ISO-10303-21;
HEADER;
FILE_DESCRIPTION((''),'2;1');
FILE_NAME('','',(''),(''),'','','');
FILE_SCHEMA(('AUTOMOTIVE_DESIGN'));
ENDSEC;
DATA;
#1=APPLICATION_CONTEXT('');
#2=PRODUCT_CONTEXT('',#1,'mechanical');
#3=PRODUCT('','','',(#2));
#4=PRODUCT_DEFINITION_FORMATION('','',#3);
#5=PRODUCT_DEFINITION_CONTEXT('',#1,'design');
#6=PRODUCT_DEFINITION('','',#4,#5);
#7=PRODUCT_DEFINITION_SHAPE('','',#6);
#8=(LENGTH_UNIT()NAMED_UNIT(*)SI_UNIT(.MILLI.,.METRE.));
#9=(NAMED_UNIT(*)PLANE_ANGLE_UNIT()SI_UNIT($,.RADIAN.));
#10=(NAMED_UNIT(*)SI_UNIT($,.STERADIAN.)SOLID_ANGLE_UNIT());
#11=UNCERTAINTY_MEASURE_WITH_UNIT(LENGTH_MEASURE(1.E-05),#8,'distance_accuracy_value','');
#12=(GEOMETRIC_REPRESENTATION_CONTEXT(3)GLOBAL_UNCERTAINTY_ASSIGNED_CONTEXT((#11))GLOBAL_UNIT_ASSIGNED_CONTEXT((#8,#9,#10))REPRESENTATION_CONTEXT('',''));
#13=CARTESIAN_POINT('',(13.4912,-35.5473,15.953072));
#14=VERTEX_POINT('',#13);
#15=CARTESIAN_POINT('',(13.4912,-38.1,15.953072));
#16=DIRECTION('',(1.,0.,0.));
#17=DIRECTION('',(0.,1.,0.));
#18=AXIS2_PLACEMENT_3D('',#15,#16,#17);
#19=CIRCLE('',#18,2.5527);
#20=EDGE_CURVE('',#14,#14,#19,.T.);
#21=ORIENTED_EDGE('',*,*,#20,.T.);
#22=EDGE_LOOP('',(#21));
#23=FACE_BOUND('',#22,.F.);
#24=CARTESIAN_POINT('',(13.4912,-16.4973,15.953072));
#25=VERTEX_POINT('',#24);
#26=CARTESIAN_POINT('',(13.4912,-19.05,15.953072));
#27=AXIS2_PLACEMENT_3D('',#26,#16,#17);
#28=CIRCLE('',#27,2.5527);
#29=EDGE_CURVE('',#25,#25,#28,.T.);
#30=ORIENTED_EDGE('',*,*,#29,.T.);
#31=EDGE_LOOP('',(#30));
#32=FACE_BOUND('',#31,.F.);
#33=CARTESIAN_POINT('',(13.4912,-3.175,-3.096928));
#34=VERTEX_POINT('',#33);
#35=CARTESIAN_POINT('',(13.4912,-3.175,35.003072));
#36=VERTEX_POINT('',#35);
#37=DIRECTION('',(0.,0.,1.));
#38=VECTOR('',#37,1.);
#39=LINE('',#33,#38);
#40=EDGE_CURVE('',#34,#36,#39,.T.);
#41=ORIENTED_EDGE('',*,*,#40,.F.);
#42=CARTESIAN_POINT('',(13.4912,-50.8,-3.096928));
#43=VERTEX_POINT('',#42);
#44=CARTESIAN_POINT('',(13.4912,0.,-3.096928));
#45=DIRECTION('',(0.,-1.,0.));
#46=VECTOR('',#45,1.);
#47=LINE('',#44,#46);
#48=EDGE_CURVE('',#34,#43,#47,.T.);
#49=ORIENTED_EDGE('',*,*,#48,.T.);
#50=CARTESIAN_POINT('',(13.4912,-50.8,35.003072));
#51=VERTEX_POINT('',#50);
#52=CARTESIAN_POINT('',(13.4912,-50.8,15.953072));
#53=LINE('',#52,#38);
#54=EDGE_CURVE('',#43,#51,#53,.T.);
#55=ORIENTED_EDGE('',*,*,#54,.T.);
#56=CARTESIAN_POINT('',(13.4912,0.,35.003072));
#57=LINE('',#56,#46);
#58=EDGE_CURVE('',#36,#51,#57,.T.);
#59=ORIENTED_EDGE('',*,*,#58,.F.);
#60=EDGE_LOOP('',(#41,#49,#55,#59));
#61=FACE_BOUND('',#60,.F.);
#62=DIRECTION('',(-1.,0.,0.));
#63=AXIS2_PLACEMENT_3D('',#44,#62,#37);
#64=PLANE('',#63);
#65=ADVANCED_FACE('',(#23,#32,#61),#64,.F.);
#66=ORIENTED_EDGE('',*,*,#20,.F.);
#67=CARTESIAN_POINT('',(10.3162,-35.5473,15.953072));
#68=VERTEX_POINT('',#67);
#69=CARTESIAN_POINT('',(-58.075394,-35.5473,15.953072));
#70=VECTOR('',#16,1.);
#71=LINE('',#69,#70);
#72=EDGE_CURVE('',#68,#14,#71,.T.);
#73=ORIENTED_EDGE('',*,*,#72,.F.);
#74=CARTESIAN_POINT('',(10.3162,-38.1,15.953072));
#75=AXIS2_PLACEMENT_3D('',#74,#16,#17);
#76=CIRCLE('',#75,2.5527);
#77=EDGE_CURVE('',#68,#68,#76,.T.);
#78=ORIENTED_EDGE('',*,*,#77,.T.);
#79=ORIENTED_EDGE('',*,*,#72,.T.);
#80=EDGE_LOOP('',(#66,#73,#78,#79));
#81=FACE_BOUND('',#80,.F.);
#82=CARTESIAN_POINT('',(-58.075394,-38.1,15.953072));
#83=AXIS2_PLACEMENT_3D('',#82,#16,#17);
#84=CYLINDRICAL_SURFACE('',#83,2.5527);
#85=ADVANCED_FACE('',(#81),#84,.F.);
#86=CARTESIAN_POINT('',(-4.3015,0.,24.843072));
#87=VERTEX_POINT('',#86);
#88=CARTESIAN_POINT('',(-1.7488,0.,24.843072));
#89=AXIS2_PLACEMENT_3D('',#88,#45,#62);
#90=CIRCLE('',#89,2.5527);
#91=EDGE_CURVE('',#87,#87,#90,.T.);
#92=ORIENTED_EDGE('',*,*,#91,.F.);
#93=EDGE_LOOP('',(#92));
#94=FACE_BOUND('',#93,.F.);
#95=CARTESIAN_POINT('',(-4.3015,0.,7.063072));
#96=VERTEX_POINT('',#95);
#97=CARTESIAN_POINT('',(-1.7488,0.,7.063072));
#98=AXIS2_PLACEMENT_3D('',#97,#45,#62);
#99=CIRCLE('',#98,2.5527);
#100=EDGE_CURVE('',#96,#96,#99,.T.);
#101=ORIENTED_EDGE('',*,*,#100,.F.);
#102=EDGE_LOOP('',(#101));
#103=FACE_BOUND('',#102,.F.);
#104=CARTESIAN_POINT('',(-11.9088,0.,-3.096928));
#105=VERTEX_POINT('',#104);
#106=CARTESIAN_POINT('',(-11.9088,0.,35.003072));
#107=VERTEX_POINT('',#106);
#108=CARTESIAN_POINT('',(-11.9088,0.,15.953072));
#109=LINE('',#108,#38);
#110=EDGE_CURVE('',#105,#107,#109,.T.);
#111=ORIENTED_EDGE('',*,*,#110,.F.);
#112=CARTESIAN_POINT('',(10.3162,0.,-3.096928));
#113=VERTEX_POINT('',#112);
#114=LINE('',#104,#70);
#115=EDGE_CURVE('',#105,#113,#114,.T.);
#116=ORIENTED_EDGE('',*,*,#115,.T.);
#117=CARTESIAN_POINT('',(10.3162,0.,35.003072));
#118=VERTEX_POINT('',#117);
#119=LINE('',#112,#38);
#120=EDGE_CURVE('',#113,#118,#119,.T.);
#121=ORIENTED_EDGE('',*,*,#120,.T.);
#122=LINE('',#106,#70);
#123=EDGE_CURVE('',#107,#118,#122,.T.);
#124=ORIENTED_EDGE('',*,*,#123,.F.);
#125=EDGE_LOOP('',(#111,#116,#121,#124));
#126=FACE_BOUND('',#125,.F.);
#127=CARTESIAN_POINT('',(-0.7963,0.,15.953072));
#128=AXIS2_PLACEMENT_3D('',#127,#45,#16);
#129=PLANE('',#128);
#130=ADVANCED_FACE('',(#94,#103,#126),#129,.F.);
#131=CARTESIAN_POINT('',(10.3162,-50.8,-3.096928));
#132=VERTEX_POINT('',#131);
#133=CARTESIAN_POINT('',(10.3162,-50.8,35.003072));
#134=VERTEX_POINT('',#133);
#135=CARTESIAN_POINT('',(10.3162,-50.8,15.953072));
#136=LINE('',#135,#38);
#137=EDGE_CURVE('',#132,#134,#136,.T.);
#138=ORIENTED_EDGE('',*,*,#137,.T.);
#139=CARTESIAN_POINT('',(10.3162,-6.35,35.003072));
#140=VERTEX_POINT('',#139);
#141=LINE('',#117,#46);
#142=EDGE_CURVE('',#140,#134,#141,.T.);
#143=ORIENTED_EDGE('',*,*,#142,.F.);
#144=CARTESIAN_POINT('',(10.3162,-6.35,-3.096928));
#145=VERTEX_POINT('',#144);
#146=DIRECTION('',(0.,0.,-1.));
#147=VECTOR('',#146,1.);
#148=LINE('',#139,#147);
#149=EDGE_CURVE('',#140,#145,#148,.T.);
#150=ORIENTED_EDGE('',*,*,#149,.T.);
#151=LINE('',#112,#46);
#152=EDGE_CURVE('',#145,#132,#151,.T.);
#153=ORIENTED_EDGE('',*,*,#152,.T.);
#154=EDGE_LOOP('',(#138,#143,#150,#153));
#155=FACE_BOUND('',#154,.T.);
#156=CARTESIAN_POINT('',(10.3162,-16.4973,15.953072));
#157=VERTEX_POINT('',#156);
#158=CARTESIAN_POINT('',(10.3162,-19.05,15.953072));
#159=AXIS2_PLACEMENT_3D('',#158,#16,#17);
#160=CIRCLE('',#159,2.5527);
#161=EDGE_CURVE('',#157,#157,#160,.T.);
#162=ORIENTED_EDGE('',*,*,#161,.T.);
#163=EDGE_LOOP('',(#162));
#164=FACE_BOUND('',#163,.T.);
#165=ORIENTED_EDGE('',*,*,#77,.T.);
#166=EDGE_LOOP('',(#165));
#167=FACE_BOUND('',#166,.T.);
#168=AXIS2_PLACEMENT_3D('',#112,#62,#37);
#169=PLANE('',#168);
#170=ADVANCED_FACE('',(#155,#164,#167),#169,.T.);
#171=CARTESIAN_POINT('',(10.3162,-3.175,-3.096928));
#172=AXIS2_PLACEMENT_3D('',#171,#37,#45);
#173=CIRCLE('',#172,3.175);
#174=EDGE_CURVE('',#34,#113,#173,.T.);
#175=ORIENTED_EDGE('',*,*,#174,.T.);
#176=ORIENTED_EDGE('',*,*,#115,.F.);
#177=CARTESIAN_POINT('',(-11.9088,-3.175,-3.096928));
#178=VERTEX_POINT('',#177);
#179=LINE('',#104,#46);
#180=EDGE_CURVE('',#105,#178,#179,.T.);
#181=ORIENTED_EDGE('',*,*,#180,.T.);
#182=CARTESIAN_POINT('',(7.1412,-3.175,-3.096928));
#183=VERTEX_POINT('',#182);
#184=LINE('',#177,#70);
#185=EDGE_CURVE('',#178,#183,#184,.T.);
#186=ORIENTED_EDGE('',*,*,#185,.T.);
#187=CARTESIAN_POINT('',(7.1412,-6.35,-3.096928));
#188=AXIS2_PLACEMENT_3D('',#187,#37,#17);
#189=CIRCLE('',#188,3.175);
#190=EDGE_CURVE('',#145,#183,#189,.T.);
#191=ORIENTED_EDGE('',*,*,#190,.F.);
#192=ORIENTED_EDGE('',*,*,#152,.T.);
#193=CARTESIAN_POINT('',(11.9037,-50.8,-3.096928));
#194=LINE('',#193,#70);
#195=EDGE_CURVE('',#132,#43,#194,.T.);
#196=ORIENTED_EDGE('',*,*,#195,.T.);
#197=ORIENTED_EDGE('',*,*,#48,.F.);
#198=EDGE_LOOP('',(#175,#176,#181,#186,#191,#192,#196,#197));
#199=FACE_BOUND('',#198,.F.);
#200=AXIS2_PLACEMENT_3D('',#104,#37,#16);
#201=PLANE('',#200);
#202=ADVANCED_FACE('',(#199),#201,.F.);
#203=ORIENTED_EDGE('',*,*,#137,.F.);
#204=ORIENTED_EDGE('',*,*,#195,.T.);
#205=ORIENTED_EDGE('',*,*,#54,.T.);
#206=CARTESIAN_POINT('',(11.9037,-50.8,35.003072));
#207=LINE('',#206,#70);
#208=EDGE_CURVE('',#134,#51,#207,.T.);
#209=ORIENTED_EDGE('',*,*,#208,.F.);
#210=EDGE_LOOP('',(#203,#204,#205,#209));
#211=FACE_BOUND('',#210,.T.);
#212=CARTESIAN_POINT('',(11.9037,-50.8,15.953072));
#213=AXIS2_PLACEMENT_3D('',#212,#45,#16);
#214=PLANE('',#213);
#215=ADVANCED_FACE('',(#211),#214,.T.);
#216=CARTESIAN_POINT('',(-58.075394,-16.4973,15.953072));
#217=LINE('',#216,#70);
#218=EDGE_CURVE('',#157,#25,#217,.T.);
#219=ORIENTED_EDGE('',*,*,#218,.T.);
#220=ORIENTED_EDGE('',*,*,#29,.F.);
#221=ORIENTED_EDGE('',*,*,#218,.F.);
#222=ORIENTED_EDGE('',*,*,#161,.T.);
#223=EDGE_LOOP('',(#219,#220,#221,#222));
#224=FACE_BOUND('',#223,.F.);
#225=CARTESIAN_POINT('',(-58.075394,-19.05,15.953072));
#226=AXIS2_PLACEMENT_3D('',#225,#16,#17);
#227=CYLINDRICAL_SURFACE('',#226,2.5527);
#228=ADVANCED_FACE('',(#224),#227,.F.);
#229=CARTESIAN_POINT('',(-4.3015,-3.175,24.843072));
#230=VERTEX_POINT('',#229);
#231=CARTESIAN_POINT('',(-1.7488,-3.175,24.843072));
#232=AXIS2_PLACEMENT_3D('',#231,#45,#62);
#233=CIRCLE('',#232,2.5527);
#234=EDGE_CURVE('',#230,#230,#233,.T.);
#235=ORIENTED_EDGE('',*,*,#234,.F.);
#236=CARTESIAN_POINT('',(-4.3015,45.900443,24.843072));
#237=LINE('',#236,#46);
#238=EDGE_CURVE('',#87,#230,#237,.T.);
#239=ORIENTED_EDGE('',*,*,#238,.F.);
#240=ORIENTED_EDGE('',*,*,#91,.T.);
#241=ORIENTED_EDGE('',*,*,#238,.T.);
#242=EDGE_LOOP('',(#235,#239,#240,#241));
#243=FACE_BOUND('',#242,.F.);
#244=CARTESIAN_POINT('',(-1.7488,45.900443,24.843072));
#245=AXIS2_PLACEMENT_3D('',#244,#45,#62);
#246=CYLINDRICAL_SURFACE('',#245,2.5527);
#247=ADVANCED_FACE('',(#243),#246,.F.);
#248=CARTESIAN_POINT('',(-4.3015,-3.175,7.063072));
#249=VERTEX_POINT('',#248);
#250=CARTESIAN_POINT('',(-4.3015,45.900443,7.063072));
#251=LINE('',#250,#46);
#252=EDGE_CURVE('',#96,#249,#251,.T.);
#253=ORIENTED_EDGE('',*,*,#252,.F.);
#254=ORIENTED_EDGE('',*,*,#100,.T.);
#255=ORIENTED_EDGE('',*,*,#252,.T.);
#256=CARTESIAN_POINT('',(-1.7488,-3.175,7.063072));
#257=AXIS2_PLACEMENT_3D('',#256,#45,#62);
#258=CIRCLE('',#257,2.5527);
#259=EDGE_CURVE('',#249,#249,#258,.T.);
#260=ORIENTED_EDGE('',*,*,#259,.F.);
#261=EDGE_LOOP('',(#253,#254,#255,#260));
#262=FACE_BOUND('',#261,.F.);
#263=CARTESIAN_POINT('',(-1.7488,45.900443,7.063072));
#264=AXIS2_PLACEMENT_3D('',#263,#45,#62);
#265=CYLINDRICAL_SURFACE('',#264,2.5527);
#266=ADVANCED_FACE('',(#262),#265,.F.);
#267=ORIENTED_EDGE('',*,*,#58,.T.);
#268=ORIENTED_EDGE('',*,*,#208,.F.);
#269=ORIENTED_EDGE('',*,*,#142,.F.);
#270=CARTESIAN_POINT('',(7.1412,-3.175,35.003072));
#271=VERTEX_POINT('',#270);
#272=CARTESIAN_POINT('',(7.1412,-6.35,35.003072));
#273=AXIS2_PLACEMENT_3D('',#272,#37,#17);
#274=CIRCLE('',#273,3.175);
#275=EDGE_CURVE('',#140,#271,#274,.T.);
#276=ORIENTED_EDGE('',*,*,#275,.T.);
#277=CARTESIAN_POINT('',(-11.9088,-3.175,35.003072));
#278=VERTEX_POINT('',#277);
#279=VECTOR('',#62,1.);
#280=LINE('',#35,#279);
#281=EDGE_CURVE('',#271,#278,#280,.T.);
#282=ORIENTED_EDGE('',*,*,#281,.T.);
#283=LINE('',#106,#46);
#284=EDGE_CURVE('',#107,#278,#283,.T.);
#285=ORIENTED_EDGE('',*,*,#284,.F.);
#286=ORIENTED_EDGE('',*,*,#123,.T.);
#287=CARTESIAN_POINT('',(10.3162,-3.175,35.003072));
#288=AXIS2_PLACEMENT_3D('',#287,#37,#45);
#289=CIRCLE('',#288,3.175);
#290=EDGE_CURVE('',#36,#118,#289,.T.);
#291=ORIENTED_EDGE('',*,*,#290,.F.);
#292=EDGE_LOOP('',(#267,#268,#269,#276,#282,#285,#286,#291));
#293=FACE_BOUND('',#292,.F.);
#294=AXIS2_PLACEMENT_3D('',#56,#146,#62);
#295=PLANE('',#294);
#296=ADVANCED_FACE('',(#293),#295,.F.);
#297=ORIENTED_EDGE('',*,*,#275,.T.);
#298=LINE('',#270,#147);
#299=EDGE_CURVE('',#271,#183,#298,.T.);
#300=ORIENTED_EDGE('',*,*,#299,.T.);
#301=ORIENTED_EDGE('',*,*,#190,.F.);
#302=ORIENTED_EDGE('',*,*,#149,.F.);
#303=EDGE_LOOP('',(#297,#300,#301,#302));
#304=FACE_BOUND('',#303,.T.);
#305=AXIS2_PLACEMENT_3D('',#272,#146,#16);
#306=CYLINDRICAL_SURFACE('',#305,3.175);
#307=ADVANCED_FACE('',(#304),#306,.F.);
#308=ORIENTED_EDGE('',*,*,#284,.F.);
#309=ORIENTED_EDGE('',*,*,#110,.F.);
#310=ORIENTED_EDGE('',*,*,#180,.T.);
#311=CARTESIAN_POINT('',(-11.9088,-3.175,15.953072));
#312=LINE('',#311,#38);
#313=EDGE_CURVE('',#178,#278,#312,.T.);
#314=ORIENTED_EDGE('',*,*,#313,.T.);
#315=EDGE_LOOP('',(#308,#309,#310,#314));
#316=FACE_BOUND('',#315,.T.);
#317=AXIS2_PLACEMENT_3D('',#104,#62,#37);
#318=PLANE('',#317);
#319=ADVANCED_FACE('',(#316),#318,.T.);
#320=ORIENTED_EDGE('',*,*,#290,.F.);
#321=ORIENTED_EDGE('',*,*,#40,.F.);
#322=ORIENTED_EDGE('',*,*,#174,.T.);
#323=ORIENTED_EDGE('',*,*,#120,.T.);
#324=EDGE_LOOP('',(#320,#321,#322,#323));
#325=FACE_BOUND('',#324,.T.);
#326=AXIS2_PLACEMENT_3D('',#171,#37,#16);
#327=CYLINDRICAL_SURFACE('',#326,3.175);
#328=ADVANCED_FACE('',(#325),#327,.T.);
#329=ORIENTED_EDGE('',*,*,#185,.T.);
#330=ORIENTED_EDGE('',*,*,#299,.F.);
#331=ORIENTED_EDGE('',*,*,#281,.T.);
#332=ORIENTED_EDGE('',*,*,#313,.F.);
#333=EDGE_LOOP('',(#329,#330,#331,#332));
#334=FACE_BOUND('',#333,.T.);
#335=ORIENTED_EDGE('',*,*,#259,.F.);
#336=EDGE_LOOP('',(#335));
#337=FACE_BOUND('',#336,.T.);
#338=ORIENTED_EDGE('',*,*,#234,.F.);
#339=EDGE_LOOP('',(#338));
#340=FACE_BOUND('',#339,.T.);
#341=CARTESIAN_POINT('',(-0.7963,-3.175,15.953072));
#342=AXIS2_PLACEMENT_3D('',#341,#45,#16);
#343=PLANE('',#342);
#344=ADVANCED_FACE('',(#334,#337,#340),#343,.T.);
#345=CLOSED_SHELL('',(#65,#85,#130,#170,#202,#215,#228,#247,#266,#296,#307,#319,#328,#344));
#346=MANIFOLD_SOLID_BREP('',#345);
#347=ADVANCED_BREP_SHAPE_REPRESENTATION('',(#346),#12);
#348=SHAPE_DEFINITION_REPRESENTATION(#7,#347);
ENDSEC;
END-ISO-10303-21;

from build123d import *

# Parameters (mm, degrees)
F0_W     = 22.225
F0_H     = 38.1
F0_W_2   = 3.175
F1_DEPTH = 3.175
F2_D     = 5.1054
F3_DEPTH = 50.8
F4_R     = 3.175
F6_D     = 5.1054


with BuildPart() as f1:
    # F0 (on Front) → F1 (new body)
    with BuildSketch(Plane.XZ):
        with Locations((-0.7963004947, 15.9530722331)):
            Rectangle(F0_W, F0_H)
        with Locations((11.9036995053, 15.9530722331)):
            Rectangle(F0_W_2, F0_H)
    extrude(amount=F1_DEPTH)

    # F2 (through all)
    with Locations(Plane(origin=(0, 0, 0), x_dir=(1, 0, 0), z_dir=(0, 1, 0))):
        with Locations((-1.7488004947, -24.8430722331), (-1.7488004947, -7.0630722331)):
            Hole(F2_D / 2)

    # F0 (on Front) → F3 (join)
    with BuildSketch(Plane.XZ):
        with Locations((11.9036995053, 15.9530722331)):
            Rectangle(F0_W_2, F0_H)
    extrude(amount=F3_DEPTH)

    # F4
    f4_edges = [f1.edges().sort_by_distance(p)[0] for p in [
        (10.3162, -3.175, 15.953072),
        (13.4912, 0, 15.953072),
    ]]
    fillet(f4_edges, radius=F4_R)

    # F6 (through all)
    with Locations(Plane(origin=(10.3161995053, 0, 0), x_dir=(0, -1, 0), z_dir=(-1, 0, 0))):
        with Locations((19.05, 15.9530722331), (38.1, 15.9530722331)):
            Hole(F6_D / 2)


solid = f1.part
